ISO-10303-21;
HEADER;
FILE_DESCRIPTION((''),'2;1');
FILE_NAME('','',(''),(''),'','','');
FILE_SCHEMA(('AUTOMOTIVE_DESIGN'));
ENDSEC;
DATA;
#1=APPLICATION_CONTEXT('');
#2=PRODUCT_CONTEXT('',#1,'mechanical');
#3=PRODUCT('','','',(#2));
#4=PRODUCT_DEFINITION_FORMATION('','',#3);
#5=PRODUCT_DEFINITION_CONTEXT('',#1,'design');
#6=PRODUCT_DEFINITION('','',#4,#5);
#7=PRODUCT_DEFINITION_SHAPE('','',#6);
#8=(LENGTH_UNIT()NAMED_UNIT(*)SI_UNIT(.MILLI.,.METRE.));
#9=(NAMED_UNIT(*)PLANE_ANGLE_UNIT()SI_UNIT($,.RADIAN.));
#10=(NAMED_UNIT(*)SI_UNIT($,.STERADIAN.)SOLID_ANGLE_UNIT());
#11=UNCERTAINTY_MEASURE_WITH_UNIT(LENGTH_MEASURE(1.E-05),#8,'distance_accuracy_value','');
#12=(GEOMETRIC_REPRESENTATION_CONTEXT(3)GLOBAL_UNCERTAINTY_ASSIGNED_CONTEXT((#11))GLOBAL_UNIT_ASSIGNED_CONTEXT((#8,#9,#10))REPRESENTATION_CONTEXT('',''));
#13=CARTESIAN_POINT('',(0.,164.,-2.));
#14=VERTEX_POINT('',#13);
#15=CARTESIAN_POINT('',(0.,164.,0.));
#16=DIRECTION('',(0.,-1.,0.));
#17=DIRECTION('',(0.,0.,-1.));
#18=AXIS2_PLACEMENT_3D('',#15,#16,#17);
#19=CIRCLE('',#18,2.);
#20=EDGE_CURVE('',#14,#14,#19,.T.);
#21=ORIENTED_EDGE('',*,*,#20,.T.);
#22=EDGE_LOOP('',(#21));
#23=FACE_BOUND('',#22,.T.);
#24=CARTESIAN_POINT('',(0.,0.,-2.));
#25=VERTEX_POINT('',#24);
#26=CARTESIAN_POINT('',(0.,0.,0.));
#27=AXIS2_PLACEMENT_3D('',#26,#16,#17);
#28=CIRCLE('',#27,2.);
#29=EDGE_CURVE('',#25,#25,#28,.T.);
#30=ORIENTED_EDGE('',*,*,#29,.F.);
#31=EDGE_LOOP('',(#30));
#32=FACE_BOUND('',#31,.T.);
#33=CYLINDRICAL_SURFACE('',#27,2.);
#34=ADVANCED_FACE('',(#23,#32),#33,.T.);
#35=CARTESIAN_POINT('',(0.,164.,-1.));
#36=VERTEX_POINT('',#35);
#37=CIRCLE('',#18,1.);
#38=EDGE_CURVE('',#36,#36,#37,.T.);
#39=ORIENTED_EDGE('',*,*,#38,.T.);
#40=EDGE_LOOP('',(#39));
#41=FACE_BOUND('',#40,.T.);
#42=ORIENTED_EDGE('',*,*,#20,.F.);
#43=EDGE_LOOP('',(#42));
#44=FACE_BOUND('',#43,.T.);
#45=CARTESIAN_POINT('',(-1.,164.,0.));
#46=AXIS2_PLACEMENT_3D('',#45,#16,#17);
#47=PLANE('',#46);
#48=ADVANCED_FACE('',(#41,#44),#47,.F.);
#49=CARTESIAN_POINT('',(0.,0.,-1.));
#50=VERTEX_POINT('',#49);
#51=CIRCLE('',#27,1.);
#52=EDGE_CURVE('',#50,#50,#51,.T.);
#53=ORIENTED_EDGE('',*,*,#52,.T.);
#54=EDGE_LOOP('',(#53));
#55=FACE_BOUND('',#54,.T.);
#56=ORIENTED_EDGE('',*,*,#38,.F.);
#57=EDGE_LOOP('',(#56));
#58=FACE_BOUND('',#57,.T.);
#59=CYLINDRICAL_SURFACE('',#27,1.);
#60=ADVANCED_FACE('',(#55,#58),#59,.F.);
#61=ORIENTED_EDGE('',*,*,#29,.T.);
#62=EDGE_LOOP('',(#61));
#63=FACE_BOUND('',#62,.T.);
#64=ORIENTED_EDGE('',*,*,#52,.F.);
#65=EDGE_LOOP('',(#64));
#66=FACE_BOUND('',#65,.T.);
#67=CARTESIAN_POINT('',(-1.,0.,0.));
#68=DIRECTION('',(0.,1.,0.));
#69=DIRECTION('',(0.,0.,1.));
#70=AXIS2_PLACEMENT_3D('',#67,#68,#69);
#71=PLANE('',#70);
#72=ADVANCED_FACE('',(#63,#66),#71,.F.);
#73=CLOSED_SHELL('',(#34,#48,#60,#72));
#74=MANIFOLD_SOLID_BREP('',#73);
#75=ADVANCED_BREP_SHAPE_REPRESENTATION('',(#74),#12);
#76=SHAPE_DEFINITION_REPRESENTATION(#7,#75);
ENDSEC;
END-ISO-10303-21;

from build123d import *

# Parameters (mm, degrees)
CROQUIS1_W = 1
CROQUIS1_H = 164


with BuildPart() as part:
    # Croquis1 → Revolución1 (revolve)
    with BuildSketch(Plane.XY, mode=Mode.PRIVATE) as revoluci_n1_sk:
        with Locations((-1.5, 82)):
            Rectangle(CROQUIS1_W, CROQUIS1_H)
    revolve(revoluci_n1_sk.sketch.rotate(Axis((0, 0, 0), (0, 1, 0)), 270), axis=Axis((0, 0, 0), (0, 1, 0)))


solid = part.part
